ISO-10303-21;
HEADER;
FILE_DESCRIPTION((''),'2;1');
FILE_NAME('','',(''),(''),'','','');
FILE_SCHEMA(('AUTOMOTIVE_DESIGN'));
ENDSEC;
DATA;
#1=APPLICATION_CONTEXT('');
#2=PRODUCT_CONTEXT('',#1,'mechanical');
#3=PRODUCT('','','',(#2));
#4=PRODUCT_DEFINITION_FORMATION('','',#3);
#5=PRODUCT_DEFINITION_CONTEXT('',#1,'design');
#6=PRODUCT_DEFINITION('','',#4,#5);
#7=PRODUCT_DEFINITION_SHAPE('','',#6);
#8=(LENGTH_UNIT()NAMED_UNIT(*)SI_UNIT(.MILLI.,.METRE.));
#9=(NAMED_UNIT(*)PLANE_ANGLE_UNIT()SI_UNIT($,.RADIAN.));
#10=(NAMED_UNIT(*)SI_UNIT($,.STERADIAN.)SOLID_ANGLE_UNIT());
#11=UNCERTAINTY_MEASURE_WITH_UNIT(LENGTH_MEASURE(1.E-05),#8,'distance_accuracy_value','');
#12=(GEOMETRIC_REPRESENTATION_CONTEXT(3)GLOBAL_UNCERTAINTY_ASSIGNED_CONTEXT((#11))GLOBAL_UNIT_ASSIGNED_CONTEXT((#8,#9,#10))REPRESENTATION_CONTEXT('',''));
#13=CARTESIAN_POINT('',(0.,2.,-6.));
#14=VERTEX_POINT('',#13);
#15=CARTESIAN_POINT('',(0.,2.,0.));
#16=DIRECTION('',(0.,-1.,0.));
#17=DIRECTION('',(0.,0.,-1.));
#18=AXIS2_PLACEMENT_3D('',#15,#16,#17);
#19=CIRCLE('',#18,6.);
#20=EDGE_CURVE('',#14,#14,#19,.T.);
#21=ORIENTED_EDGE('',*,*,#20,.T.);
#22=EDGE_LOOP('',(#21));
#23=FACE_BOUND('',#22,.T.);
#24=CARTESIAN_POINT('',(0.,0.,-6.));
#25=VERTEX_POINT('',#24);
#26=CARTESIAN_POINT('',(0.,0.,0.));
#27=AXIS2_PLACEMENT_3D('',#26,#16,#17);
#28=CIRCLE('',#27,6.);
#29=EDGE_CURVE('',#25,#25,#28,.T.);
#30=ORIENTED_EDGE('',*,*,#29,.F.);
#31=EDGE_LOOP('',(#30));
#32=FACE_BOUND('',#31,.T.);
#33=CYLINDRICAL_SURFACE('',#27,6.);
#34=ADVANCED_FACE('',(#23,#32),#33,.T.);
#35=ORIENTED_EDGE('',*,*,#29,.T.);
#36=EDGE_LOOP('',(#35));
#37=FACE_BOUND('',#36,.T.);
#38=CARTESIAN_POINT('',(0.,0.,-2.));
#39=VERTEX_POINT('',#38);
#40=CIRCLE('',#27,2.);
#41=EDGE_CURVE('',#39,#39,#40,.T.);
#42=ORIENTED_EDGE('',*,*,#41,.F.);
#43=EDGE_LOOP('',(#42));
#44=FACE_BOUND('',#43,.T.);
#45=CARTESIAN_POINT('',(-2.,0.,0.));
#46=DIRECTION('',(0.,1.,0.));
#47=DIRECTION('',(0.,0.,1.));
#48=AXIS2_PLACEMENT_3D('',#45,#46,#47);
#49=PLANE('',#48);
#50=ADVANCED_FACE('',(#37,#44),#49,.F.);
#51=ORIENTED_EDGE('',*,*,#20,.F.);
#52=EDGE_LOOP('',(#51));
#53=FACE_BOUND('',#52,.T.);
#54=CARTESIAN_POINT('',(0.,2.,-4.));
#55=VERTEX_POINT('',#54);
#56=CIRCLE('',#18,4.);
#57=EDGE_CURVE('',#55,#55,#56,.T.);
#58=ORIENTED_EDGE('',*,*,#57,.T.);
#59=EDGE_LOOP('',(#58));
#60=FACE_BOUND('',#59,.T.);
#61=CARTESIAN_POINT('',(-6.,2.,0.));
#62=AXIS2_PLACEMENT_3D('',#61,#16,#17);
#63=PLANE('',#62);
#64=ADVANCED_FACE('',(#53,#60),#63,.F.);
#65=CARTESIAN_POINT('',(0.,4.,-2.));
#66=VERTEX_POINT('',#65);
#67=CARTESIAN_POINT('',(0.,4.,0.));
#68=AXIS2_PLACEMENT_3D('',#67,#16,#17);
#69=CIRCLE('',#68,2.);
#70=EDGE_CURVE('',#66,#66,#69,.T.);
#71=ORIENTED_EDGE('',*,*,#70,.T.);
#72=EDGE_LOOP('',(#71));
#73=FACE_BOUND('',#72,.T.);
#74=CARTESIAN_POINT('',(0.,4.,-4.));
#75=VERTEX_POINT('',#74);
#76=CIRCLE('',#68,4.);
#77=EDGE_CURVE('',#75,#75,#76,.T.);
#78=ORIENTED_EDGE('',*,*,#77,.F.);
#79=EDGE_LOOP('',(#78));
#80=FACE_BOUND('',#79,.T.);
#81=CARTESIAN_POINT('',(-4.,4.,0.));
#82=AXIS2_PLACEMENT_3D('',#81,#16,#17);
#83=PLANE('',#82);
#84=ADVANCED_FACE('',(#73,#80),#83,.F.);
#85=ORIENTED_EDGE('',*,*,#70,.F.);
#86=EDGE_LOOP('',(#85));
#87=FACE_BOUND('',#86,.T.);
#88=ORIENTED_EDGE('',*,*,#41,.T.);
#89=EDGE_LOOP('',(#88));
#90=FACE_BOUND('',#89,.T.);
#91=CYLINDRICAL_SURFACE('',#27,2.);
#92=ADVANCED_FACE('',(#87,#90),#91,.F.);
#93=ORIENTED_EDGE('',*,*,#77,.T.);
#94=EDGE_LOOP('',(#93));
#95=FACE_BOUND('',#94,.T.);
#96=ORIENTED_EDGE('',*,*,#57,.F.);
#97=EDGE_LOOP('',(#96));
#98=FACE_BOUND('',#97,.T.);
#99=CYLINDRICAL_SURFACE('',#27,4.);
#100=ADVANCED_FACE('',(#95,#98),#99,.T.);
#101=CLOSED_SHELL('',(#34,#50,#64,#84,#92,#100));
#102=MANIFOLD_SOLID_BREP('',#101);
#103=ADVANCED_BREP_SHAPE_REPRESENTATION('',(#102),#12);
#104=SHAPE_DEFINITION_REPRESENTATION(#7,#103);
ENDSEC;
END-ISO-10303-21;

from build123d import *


with BuildPart() as part:
    # Croquis1 → Revolución1 (revolve)
    with BuildSketch(Plane.XY, mode=Mode.PRIVATE) as revoluci_n1_sk:
        Polygon((-2, 4), (-2, 0), (-6, 0), (-6, 2), (-4, 2), (-4, 4), align=None)
    revolve(revoluci_n1_sk.sketch.rotate(Axis((0, 0, 0), (0, 1, 0)), 270), axis=Axis((0, 0, 0), (0, 1, 0)))


solid = part.part
